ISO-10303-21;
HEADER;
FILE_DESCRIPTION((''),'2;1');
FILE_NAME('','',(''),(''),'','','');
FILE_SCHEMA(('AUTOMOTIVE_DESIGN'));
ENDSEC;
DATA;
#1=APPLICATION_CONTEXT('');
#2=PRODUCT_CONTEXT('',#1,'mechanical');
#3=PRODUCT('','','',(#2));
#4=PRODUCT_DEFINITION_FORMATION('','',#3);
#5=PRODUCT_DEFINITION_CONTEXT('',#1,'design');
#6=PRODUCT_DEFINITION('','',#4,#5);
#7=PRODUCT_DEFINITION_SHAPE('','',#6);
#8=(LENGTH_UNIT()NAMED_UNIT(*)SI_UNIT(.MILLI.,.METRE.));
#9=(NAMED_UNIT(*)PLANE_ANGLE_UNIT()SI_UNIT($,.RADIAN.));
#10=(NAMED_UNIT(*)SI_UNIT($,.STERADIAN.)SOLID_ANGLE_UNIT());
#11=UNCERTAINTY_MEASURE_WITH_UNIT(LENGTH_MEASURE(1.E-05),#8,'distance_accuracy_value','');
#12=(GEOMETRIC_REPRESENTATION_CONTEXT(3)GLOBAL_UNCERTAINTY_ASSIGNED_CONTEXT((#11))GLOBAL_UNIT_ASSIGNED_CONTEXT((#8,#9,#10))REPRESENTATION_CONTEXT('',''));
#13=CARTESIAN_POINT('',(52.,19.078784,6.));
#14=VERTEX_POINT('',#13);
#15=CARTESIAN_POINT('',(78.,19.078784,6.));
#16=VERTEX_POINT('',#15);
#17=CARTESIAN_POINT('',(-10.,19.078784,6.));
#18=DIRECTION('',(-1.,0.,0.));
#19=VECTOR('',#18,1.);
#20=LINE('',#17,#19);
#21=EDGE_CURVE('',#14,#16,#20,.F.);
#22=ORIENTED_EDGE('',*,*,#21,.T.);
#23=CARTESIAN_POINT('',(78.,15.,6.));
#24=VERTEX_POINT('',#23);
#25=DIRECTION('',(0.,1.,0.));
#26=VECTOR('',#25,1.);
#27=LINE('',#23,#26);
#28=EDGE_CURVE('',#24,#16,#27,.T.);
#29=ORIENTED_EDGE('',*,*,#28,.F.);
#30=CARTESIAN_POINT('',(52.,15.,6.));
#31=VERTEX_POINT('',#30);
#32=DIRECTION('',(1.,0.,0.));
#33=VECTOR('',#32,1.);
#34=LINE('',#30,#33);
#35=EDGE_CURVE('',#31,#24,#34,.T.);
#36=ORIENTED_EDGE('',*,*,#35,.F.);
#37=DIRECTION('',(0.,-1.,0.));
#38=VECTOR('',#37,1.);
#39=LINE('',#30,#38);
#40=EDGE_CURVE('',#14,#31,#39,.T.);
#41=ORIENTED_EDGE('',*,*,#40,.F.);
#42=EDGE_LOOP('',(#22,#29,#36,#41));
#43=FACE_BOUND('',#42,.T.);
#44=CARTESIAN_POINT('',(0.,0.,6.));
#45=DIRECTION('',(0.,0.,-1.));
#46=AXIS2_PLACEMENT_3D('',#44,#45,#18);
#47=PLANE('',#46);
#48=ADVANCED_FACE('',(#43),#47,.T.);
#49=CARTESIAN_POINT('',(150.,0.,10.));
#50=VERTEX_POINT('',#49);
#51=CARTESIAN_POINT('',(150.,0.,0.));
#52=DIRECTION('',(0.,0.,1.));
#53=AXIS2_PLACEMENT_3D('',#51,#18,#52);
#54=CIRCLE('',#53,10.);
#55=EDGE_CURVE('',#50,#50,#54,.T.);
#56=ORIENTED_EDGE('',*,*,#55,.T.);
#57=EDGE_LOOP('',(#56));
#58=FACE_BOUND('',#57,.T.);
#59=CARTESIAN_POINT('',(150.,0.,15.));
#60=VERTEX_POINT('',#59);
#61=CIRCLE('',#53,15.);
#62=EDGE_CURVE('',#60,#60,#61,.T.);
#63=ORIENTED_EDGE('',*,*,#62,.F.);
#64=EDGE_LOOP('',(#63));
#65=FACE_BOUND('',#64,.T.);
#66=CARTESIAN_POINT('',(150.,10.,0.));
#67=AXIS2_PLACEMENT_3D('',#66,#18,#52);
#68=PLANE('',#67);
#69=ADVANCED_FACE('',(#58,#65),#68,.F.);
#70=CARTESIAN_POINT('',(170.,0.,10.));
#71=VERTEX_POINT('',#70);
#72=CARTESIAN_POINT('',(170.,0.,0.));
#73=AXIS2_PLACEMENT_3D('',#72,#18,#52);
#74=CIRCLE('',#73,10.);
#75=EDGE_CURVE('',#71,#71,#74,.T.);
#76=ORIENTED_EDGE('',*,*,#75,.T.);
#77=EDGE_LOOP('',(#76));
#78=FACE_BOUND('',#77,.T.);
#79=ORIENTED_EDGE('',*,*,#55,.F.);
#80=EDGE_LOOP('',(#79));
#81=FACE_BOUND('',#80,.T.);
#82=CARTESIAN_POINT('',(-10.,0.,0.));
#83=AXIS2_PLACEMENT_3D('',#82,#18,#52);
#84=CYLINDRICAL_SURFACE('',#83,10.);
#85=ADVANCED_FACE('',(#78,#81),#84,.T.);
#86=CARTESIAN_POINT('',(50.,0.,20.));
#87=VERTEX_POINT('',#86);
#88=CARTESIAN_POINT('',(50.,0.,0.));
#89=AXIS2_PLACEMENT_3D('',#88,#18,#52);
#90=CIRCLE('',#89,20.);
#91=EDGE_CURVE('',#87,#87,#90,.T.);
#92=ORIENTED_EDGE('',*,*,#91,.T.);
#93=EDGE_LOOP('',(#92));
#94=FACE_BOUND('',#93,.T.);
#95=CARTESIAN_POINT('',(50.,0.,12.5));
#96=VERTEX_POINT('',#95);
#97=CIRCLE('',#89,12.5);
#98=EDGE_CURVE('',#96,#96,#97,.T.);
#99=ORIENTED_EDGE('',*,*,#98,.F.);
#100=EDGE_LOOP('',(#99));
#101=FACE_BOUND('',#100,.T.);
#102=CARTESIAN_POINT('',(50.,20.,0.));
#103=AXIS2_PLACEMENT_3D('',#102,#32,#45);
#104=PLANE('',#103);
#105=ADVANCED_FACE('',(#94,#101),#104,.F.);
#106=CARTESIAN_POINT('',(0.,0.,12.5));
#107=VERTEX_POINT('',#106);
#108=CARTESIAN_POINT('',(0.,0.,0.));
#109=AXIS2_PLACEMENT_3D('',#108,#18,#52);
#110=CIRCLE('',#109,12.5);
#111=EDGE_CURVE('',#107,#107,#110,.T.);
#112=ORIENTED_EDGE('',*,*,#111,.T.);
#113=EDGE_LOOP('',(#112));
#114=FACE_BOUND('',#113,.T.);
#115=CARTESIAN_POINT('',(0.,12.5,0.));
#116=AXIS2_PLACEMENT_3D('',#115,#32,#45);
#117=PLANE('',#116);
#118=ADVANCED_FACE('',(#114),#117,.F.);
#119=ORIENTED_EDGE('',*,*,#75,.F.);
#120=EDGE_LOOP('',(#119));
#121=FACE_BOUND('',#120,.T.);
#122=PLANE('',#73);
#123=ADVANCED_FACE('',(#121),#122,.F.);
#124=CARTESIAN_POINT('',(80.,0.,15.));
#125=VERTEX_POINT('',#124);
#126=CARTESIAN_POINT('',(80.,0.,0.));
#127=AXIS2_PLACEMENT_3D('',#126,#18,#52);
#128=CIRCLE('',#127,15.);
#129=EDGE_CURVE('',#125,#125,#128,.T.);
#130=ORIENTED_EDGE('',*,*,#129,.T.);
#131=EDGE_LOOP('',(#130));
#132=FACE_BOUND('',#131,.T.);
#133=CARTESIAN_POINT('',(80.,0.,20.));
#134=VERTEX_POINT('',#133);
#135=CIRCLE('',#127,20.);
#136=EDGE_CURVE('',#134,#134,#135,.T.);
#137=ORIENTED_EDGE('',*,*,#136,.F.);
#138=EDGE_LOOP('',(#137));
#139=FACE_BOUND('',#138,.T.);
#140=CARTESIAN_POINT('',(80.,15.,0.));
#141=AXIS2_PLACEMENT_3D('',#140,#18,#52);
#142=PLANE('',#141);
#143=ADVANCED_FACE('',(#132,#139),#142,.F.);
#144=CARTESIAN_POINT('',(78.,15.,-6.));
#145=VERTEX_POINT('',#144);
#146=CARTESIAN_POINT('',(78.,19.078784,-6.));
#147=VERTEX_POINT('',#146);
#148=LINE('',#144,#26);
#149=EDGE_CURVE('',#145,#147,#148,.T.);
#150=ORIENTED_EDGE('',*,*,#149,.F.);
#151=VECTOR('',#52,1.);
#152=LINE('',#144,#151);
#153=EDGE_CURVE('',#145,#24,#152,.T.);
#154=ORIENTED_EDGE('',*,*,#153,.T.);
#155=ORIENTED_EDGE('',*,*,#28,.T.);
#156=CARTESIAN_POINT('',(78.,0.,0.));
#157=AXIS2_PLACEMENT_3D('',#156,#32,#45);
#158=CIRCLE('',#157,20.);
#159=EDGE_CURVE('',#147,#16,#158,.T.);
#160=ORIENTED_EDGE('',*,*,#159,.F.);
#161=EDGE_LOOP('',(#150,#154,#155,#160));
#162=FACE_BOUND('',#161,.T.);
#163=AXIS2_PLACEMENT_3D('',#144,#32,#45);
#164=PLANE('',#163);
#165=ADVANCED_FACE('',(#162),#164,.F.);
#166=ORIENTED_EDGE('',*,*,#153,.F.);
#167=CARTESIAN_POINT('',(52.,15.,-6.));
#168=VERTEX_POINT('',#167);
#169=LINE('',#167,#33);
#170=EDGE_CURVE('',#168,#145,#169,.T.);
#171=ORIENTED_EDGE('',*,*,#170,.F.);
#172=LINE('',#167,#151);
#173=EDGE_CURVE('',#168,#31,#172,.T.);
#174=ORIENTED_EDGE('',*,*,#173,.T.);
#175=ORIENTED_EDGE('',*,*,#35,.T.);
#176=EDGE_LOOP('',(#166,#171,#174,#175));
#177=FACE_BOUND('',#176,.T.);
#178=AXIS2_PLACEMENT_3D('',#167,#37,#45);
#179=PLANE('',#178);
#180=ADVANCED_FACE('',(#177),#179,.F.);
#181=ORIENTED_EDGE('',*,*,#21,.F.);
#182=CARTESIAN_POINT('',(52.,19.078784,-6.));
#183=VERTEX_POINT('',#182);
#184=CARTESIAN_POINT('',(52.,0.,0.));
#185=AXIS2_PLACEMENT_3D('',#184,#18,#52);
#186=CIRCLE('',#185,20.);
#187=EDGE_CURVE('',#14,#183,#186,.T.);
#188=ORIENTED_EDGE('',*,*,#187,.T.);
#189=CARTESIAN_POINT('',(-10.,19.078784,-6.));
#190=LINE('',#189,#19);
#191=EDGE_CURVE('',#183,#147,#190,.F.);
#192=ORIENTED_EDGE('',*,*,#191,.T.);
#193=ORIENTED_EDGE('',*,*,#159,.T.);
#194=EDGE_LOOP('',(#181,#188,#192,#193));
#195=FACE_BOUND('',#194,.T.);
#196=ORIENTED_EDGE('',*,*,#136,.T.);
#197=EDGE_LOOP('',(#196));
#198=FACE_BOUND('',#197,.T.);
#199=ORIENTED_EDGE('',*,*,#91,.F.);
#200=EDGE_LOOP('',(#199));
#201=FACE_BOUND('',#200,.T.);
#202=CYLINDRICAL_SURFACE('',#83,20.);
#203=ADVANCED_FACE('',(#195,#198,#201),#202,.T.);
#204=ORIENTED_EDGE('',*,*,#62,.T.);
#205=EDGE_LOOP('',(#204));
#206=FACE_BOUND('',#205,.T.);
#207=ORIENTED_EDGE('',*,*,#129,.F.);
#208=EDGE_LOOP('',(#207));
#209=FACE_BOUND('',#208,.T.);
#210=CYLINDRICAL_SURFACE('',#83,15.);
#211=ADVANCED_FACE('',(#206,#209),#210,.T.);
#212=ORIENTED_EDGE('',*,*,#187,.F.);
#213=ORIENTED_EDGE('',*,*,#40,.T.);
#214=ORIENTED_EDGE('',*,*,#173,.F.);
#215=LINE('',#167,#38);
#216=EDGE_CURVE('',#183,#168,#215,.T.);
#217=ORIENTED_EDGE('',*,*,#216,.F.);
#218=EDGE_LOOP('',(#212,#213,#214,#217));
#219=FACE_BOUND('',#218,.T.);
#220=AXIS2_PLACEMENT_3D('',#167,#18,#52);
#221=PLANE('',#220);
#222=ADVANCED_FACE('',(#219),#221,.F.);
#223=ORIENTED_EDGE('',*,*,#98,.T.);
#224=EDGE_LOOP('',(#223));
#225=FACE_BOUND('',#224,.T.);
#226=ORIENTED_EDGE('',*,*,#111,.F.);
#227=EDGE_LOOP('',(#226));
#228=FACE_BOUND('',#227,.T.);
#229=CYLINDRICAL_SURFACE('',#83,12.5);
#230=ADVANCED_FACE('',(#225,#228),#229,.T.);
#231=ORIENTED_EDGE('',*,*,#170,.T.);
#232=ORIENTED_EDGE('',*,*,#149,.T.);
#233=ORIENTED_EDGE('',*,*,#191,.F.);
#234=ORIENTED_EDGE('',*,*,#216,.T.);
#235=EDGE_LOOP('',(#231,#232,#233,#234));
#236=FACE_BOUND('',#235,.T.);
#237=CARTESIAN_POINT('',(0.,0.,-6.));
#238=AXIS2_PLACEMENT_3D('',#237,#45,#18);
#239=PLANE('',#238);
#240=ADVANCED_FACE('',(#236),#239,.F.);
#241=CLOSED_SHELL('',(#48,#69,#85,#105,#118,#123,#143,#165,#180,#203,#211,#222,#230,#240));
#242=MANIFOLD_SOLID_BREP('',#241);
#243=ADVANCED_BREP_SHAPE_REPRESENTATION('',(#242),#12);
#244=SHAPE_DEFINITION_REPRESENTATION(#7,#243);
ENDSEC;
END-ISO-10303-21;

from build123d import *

# Parameters (mm, degrees)
CUT_EXTRUDE_1_DEPTH      = 6
CUT_EXTRUDE_1_DEPTH_BACK = 6
SKETCH_2_W               = 26
SKETCH_2_H               = 10


with BuildPart() as part:
    # 草图1 → 旋转1 (revolve)
    with BuildSketch(Plane.XY):
        Polygon((0, 0), (170, 0), (170, 10), (150, 10), (150, 15), (80, 15), (80, 20), (50, 20), (50, 12.5), (0, 12.5), align=None)
    revolve(axis=Axis((-10, 0, 0), (1, 0, 0)))

    # 草图2 → 切除-拉伸1 (cut, two sides: drawn at the far end of the back side and taken through both)
    with BuildSketch(Plane.XY.offset(-CUT_EXTRUDE_1_DEPTH_BACK)):
        with Locations((65, 20)):
            Rectangle(SKETCH_2_W, SKETCH_2_H)
    extrude(amount=CUT_EXTRUDE_1_DEPTH + CUT_EXTRUDE_1_DEPTH_BACK, mode=Mode.SUBTRACT)


solid = part.part
